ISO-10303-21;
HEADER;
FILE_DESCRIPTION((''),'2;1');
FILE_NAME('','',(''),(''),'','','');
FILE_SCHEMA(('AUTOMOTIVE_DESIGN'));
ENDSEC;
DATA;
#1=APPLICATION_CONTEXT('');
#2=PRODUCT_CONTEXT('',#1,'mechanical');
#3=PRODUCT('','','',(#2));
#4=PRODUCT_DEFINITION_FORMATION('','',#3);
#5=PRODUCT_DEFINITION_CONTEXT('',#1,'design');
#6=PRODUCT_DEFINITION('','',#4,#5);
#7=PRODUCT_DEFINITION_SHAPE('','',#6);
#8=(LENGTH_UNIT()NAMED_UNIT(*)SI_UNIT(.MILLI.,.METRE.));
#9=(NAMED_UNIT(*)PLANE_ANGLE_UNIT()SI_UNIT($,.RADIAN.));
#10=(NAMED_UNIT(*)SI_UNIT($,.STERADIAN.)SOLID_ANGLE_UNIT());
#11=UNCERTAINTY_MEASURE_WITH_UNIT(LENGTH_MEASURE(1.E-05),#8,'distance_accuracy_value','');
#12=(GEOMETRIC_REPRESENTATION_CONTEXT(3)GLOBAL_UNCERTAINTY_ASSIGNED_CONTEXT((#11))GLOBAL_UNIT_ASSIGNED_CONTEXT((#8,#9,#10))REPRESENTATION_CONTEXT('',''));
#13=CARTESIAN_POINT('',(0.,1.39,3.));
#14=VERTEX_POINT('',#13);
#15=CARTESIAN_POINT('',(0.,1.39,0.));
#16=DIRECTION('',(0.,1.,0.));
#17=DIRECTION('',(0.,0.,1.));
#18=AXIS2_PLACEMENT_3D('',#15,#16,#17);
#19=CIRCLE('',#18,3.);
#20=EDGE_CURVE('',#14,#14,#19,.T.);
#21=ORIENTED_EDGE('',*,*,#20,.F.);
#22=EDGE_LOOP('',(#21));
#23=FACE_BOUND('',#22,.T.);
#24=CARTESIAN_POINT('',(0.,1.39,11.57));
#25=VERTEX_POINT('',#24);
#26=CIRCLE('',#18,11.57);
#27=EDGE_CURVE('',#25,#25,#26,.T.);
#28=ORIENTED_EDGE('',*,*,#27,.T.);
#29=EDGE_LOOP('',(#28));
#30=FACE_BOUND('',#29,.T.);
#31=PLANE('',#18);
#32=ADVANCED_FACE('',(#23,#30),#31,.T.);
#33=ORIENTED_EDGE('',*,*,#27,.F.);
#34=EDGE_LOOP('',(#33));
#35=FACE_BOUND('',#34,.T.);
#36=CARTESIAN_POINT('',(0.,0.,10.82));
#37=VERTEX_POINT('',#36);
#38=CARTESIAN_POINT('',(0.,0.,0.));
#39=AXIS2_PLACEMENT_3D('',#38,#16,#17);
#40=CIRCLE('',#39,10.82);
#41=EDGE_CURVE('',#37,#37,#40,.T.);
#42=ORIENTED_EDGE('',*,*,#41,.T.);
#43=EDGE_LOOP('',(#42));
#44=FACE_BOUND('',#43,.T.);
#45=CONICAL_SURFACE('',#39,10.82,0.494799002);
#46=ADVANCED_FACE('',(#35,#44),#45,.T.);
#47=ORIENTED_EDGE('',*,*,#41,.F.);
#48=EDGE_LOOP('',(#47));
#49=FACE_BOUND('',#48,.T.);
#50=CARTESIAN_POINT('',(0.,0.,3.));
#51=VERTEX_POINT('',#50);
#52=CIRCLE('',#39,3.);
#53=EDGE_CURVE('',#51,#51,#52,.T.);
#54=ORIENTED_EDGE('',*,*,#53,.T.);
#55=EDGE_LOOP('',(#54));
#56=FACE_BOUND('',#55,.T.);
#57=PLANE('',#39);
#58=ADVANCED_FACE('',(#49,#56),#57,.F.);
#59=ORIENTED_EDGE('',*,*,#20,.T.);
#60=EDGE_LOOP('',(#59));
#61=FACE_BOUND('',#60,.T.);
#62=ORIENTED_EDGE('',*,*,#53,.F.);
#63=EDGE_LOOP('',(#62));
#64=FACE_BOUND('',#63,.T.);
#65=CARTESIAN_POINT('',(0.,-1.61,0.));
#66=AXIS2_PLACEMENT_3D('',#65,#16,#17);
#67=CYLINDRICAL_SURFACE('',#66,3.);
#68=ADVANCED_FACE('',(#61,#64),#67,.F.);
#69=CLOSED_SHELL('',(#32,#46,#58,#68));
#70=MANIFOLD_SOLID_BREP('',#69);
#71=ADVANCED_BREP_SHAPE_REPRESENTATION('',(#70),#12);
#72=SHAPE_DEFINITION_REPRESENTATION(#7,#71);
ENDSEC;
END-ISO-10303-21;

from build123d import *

# Parameters (mm, degrees)
SKETCH1_R          = 10.82
SKETCH2_R          = 11.57
SKETCH9_R          = 3
CUT_EXTRUDE1_DEPTH = 3


with BuildPart() as part:
    # Sketch1 → Loft2 section 0
    with BuildSketch(Plane(origin=(0, 0, 0), x_dir=(1, 0, 0), z_dir=(0, 1, 0))):
        Circle(SKETCH1_R)
    # Sketch2 → Loft2 section 1
    with BuildSketch(Plane(origin=(0, 1.39, 0), x_dir=(1, 0, 0), z_dir=(0, 1, 0))):
        Circle(SKETCH2_R)
    loft()

    # Sketch9 → Cut-Extrude1 (cut)
    with BuildSketch(Plane(origin=(0, 1.39, 0), x_dir=(1, 0, 0), z_dir=(0, 1, 0))):
        with Locations(Location((0, 0, 0), (0, 0, 270))):
            Circle(SKETCH9_R)
    extrude(amount=-CUT_EXTRUDE1_DEPTH, mode=Mode.SUBTRACT)


solid = part.part
